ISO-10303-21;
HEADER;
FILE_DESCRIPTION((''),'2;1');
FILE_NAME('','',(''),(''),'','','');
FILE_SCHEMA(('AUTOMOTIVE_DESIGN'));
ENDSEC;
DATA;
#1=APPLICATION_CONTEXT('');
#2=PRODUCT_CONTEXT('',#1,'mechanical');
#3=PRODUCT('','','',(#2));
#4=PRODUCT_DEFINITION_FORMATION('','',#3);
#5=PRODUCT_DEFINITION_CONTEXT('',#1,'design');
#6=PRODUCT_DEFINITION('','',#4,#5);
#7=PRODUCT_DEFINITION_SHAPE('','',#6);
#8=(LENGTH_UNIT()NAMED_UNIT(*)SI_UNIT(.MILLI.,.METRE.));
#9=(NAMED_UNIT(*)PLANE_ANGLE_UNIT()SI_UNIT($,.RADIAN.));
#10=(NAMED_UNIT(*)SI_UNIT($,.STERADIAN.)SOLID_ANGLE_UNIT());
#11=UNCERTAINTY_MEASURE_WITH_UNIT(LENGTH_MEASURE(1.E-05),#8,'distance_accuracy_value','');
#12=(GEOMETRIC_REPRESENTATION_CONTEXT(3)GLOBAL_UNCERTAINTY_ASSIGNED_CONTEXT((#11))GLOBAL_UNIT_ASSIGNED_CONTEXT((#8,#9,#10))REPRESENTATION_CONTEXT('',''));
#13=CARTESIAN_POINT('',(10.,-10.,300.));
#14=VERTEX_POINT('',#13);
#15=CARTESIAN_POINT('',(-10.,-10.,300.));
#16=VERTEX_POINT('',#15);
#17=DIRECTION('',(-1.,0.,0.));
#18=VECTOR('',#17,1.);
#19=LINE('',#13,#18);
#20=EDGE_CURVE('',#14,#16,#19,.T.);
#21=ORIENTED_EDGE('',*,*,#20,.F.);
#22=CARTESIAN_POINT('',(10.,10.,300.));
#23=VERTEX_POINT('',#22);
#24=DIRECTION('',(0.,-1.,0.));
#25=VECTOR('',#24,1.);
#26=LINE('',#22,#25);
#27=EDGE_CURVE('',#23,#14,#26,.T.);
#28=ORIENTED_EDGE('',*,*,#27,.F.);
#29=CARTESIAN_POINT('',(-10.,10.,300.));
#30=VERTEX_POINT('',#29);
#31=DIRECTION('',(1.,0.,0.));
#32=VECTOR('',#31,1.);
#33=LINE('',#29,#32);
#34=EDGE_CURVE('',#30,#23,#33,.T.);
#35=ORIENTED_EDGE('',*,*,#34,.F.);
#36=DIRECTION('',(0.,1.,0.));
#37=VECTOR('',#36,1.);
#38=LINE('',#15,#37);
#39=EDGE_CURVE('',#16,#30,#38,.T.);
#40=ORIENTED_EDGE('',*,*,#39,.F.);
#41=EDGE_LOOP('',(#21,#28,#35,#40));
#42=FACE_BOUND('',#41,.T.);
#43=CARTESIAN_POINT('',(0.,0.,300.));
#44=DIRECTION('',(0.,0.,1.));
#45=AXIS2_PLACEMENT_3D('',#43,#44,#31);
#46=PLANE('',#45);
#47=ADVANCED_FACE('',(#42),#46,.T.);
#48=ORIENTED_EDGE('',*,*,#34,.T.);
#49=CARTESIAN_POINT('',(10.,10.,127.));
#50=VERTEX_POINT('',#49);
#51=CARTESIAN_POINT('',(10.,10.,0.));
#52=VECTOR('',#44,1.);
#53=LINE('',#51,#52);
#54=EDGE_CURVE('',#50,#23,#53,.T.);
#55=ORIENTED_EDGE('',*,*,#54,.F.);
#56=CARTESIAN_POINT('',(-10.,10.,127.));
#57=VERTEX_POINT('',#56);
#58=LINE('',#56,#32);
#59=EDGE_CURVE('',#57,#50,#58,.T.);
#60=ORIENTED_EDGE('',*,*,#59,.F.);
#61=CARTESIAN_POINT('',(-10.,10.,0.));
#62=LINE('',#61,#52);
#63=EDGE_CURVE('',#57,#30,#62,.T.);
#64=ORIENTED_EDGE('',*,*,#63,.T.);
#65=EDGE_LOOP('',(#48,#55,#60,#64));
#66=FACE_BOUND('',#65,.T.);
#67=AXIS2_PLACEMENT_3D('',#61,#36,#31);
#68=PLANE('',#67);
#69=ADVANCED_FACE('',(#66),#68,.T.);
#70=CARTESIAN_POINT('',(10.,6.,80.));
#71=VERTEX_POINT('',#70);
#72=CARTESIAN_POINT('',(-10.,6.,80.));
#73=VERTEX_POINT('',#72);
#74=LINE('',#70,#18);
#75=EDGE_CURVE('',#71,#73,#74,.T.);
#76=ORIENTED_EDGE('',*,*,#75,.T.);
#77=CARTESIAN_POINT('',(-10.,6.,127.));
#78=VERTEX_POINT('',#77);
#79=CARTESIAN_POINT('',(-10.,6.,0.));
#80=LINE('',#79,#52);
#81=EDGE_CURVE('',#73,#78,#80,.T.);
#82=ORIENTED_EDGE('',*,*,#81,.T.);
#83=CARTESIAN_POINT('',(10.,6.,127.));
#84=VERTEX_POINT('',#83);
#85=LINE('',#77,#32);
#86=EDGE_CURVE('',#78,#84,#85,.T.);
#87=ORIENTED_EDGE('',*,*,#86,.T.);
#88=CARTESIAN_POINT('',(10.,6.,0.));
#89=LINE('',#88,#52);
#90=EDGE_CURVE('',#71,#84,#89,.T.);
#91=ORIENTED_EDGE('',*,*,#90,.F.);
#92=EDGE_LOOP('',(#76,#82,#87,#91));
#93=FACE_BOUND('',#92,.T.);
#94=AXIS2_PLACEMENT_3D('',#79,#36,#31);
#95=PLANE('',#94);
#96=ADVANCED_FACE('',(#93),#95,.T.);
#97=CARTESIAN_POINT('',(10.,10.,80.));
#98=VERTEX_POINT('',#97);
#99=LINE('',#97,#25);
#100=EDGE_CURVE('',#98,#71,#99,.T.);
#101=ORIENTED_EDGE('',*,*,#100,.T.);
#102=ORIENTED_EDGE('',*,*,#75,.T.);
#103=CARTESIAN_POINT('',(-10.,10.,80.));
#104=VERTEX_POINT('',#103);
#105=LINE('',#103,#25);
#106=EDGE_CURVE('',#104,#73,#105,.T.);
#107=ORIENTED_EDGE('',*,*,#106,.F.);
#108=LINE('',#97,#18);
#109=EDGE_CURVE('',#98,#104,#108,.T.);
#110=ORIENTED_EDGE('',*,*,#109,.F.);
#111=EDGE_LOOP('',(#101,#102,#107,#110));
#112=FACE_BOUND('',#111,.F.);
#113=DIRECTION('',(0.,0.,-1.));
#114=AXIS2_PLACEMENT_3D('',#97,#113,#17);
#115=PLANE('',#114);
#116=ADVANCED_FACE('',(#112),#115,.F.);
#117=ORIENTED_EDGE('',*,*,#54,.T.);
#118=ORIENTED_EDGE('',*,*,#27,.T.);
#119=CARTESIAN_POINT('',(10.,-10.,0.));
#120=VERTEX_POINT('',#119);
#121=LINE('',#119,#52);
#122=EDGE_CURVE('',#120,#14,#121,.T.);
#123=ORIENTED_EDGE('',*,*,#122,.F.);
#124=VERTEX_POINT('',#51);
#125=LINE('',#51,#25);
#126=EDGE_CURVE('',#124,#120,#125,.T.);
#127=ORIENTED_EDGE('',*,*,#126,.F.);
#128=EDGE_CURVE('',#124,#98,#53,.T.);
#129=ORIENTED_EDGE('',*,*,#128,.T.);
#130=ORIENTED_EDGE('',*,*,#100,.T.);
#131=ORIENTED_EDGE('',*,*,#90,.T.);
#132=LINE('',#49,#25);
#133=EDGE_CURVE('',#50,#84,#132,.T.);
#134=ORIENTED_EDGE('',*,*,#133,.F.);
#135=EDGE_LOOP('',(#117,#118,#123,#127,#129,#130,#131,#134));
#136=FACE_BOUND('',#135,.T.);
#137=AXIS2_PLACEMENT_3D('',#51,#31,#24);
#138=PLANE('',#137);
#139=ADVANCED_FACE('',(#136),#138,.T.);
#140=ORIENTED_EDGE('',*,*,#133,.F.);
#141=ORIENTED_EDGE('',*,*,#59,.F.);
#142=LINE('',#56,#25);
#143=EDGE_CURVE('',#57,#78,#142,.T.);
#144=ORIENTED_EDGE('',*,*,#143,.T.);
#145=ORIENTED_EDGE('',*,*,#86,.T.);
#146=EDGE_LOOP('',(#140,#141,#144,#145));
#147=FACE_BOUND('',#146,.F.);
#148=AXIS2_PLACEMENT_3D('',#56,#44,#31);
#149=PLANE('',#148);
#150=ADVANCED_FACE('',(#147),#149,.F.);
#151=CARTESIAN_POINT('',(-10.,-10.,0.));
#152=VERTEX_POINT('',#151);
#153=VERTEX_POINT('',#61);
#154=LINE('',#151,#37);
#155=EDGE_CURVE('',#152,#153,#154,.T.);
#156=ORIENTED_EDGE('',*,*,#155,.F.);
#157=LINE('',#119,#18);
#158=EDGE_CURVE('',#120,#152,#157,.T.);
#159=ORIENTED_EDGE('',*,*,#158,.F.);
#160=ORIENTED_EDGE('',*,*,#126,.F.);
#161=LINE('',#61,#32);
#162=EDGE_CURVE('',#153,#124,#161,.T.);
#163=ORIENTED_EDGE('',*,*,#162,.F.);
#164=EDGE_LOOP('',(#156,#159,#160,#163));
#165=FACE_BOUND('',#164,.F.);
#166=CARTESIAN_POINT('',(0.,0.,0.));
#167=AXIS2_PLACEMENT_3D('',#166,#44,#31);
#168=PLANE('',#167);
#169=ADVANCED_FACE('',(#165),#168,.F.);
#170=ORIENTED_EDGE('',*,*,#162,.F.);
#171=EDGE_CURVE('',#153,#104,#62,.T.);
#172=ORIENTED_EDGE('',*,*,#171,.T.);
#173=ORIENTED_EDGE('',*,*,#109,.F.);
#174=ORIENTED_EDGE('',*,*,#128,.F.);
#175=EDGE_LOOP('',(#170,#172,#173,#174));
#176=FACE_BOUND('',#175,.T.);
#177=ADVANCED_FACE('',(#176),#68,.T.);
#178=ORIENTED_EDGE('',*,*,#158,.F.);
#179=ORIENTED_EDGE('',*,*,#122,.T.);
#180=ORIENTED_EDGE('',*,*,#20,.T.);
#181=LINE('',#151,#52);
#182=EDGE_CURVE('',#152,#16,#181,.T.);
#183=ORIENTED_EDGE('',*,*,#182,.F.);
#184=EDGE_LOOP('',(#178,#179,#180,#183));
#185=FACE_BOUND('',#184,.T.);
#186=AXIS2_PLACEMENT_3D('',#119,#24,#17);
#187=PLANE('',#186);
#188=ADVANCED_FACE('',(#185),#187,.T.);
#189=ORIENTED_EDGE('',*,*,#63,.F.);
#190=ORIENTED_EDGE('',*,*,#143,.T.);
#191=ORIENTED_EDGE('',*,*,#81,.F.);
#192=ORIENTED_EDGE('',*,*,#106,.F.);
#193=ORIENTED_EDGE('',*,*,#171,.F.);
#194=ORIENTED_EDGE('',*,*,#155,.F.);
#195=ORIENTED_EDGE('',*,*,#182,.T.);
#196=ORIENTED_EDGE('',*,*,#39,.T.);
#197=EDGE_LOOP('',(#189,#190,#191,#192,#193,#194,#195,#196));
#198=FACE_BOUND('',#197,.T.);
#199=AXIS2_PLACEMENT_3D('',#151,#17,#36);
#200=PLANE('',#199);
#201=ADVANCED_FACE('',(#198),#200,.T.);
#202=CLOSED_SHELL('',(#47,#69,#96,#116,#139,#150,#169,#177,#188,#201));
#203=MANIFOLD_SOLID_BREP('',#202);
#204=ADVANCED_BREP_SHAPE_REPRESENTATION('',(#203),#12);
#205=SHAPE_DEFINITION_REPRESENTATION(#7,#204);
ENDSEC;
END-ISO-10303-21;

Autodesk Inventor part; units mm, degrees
ref_plane "YZ Plane" through (0, 0, 0) normal (1, 0, 0) x (0, 1, 0)
ref_plane "XZ Plane" through (0, 0, 0) normal (0, 1, 0) x (-1, 0, 0)
ref_plane "XY Plane" through (0, 0, 0) normal (0, 0, 1) x (1, 0, 0)
sketch "Sketch1" plane through (0, 0, 0) normal (0, 0, 1) x (1, 0, 0)
  line L0 (-10, 10) -> (10, 10)
  line L1 (10, 10) -> (10, -10)
  line L2 (10, -10) -> (-10, -10)
  line L3 (-10, -10) -> (-10, 10)
  point P0 (0, 0)
  dimension "d0" = 20
  dimension "d1" = 20
  dimension "d2" = 10
  dimension "d3" = 10
extrude "Extrusion1" add sketch "Sketch1" along normal blind 300
sketch "Sketch2" plane through (-10, 10, 0) normal (0, 1, 0) x (1, 0, 0)
  line L0 (0, 0) -> (0, -300) projected
  line L1 (20, 0) -> (20, -300) projected
  line L2 (0, -127) -> (20, -127)
  line L3 (20, -127) -> (20, -80)
  line L4 (20, -80) -> (0, -80)
  line L5 (0, -80) -> (0, -127)
  line L6 (0, 0) -> (20, 0) projected
  point P0 (10, 0)
  dimension "d6" = 47
  dimension "d7" = 80
extrude "Extrusion2" cut sketch "Sketch2" against normal blind 4 contours L4 L1 L2 L0
equation "\"d2\" = 0.5 * d0"
equation "\"d3\" = 0.5 * d1"
properties part number "cnc power plug"
